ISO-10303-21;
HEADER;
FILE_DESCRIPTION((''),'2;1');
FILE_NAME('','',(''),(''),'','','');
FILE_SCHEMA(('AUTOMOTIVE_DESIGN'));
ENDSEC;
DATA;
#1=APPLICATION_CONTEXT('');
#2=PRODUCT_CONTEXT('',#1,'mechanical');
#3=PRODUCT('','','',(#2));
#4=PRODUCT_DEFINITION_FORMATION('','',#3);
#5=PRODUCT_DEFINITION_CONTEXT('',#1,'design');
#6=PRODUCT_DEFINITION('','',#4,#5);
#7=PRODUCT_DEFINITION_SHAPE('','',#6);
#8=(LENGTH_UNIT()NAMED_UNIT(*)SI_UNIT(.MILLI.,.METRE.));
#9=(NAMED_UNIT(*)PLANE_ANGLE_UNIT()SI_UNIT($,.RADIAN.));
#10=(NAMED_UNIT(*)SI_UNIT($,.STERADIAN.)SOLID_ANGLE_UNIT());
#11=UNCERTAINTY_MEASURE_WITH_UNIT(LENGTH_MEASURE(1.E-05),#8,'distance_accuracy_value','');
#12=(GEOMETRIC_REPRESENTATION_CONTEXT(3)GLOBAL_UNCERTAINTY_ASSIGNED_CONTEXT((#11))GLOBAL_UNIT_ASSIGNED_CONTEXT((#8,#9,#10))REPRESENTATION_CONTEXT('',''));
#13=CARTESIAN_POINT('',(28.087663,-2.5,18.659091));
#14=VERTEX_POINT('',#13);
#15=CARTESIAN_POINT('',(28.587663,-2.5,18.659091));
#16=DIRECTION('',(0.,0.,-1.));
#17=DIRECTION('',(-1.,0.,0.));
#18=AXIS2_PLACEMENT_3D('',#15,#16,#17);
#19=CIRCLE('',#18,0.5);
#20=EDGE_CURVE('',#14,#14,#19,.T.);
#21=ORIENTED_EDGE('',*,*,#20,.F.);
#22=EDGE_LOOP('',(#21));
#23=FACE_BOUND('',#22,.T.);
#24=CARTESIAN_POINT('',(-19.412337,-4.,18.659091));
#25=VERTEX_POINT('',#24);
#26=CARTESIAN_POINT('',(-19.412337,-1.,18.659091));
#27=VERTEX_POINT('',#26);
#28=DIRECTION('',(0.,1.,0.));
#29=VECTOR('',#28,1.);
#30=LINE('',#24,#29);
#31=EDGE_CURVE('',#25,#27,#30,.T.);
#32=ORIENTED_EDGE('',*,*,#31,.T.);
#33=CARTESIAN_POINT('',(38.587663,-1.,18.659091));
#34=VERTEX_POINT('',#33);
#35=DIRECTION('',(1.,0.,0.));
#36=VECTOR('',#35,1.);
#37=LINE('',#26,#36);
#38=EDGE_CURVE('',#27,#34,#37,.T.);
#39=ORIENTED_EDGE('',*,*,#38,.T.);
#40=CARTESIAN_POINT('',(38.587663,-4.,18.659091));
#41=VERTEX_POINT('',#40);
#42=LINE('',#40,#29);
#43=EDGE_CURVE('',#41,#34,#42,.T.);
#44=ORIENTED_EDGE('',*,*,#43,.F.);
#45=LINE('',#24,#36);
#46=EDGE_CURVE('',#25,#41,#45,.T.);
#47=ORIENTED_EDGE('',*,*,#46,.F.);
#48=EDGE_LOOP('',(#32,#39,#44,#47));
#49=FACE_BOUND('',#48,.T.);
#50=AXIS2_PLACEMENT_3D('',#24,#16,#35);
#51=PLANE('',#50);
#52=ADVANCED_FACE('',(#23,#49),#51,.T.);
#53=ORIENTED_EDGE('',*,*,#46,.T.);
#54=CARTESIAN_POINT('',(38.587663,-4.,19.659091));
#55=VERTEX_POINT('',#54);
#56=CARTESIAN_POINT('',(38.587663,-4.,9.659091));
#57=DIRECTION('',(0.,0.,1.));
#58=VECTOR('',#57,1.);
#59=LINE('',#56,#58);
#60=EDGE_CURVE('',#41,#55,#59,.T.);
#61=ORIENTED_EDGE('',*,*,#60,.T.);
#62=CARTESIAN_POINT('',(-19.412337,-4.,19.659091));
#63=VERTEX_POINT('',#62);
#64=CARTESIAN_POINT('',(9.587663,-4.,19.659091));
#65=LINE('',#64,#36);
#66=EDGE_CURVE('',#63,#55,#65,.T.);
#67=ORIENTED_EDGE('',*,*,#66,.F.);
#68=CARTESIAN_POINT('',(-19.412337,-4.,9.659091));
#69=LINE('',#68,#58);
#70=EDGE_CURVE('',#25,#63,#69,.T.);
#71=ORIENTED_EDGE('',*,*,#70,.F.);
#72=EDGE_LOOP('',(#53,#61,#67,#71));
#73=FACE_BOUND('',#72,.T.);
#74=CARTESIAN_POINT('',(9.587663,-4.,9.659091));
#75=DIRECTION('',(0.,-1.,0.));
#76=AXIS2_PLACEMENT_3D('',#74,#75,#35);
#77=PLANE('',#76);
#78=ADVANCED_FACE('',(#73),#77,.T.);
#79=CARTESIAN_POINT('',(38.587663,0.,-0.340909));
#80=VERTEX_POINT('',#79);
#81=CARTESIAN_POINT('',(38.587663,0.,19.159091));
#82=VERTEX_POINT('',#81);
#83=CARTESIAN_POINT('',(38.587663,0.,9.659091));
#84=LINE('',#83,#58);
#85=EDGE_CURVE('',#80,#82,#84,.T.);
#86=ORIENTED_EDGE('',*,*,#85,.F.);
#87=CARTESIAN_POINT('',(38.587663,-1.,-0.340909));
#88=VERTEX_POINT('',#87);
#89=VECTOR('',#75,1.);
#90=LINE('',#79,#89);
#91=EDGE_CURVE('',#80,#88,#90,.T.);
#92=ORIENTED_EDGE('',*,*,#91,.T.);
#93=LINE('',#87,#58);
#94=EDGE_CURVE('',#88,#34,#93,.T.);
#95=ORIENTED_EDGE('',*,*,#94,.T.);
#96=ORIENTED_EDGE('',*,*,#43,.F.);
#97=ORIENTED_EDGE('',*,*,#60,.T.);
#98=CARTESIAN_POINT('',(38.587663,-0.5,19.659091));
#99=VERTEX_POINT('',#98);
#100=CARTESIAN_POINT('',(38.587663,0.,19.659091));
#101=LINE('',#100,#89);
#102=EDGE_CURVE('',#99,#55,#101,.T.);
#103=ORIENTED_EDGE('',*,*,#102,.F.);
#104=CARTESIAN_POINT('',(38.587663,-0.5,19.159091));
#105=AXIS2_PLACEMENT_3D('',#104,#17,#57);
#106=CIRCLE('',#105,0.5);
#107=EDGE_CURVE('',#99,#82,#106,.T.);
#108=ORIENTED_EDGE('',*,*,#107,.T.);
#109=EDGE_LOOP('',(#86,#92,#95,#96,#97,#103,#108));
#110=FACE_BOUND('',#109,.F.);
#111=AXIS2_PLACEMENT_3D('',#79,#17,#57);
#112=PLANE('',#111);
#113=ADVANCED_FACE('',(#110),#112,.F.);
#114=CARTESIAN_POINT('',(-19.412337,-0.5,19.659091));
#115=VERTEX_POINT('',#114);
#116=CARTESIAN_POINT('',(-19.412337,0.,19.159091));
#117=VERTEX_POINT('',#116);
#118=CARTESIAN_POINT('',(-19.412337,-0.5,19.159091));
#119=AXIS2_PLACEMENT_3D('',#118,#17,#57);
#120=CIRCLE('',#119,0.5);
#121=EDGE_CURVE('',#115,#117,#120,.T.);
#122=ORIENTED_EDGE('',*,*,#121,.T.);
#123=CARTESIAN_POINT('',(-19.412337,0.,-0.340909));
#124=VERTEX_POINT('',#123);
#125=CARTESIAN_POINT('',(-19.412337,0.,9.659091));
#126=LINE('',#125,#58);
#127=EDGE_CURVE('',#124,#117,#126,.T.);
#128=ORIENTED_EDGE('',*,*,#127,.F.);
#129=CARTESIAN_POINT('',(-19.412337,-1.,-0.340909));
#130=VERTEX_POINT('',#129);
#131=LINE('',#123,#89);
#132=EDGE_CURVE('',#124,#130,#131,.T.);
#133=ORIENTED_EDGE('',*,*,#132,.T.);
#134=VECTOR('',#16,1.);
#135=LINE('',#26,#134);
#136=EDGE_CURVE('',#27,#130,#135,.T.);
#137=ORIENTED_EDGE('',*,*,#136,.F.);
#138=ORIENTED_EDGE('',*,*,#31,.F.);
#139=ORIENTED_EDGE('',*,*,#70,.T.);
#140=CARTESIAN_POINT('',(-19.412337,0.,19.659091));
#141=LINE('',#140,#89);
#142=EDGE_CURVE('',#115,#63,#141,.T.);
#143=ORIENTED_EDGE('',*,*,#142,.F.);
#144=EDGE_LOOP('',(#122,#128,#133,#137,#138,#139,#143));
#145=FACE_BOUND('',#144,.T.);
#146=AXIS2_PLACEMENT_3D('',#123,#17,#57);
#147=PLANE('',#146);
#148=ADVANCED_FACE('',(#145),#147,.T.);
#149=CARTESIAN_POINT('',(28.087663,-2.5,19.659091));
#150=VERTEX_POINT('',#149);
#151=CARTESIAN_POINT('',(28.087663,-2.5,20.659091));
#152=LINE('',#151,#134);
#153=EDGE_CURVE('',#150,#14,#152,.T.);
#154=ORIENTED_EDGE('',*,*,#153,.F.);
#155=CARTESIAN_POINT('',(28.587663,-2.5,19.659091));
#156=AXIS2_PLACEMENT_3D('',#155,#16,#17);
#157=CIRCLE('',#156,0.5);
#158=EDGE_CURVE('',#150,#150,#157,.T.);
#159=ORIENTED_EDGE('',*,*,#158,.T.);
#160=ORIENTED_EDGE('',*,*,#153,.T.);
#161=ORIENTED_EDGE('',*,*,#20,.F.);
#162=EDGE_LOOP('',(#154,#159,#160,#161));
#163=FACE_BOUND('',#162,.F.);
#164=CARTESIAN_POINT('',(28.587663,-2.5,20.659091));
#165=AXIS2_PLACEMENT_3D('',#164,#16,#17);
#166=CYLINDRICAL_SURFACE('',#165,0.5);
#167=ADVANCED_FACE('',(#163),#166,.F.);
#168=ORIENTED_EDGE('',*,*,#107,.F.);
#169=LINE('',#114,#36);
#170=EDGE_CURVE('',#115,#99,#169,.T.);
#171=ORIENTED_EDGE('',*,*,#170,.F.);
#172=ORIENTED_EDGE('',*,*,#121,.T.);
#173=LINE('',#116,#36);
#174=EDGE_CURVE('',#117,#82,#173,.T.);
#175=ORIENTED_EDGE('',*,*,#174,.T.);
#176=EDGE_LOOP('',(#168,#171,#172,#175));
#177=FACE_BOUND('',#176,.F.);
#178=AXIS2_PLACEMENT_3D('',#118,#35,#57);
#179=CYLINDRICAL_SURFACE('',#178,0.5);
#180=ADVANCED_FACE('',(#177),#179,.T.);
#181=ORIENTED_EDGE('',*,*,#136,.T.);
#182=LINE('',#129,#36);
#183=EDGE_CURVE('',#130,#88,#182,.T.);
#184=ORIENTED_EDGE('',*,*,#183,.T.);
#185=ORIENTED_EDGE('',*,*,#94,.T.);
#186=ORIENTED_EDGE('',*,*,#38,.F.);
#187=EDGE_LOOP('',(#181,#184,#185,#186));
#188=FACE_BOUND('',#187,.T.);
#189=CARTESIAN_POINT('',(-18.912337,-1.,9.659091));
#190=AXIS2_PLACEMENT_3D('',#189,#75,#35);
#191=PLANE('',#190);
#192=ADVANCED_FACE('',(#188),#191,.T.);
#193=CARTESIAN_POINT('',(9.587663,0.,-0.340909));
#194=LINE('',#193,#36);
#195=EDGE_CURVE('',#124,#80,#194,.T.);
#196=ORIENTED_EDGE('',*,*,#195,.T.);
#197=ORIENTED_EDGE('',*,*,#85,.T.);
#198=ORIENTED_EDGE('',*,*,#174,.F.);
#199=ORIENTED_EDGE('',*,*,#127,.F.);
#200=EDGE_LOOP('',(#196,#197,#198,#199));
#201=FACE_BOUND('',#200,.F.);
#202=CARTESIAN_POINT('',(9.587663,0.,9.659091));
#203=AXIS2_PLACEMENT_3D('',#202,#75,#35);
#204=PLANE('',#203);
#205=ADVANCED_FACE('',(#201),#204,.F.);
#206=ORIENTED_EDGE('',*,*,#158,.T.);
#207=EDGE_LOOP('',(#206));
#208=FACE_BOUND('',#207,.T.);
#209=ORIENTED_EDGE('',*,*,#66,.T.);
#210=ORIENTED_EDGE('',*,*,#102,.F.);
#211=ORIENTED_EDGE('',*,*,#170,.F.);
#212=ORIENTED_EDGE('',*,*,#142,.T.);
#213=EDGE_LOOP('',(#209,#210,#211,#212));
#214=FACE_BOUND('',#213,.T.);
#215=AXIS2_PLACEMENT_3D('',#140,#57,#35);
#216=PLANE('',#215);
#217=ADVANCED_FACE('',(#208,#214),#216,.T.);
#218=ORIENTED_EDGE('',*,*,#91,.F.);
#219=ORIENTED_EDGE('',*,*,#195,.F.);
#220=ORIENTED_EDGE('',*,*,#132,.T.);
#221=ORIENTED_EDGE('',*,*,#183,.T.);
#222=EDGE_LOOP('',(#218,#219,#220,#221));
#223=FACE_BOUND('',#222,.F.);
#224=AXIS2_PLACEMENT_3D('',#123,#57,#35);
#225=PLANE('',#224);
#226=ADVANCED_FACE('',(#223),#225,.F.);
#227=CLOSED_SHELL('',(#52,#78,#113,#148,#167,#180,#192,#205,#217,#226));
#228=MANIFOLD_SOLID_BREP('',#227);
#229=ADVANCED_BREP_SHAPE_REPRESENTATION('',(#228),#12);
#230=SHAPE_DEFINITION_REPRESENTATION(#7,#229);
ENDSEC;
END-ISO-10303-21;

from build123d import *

# Parameters (mm, degrees)
F0_W     = 58
F0_H     = 20
F1_DEPTH = 4
F2_T     = -1
F3_W     = 1
F3_H     = 18
F4_DEPTH = 3
F5_R     = 0.5
F7_D     = 1
F7_DEPTH = 1


with BuildPart() as f1:
    # F0 (on Front) → F1 (new body)
    with BuildSketch(Plane.XZ):
        with Locations((9.587663, 9.659091)):
            Rectangle(F0_W, F0_H)
    extrude(amount=F1_DEPTH)

    # F2
    f2_openings = [f1.faces().sort_by_distance(p)[0] for p in [
        (9.587663, -4, 9.659091),
    ]]
    offset(amount=F2_T, openings=f2_openings)

    # F3 (on face) → F4 (cut)
    with BuildSketch(Plane.XZ.offset(4)):
        with Locations((-18.912337, 9.659091)):
            Rectangle(F3_W, F3_H)
        Polygon((38.587663, 0.659091), (37.587663, 0.659091), (-18.412337, 0.659091), (-19.412337, 0.659091), (-19.412337, -0.340909), (38.587663, -0.340909), align=None)
        with Locations((38.087663, 9.659091)):
            Rectangle(F3_W, F3_H)
    extrude(amount=-F4_DEPTH, mode=Mode.SUBTRACT)

    # F5
    f5_edges = [f1.edges().sort_by_distance(p)[0] for p in [
        (9.587663, 0, 19.659091),
    ]]
    fillet(f5_edges, radius=F5_R)

    # F7
    with Locations(Plane.XY.offset(19.659091)):
        with Locations((28.587663, -2.5)):
            Hole(F7_D / 2, depth=F7_DEPTH)


solid = f1.part
